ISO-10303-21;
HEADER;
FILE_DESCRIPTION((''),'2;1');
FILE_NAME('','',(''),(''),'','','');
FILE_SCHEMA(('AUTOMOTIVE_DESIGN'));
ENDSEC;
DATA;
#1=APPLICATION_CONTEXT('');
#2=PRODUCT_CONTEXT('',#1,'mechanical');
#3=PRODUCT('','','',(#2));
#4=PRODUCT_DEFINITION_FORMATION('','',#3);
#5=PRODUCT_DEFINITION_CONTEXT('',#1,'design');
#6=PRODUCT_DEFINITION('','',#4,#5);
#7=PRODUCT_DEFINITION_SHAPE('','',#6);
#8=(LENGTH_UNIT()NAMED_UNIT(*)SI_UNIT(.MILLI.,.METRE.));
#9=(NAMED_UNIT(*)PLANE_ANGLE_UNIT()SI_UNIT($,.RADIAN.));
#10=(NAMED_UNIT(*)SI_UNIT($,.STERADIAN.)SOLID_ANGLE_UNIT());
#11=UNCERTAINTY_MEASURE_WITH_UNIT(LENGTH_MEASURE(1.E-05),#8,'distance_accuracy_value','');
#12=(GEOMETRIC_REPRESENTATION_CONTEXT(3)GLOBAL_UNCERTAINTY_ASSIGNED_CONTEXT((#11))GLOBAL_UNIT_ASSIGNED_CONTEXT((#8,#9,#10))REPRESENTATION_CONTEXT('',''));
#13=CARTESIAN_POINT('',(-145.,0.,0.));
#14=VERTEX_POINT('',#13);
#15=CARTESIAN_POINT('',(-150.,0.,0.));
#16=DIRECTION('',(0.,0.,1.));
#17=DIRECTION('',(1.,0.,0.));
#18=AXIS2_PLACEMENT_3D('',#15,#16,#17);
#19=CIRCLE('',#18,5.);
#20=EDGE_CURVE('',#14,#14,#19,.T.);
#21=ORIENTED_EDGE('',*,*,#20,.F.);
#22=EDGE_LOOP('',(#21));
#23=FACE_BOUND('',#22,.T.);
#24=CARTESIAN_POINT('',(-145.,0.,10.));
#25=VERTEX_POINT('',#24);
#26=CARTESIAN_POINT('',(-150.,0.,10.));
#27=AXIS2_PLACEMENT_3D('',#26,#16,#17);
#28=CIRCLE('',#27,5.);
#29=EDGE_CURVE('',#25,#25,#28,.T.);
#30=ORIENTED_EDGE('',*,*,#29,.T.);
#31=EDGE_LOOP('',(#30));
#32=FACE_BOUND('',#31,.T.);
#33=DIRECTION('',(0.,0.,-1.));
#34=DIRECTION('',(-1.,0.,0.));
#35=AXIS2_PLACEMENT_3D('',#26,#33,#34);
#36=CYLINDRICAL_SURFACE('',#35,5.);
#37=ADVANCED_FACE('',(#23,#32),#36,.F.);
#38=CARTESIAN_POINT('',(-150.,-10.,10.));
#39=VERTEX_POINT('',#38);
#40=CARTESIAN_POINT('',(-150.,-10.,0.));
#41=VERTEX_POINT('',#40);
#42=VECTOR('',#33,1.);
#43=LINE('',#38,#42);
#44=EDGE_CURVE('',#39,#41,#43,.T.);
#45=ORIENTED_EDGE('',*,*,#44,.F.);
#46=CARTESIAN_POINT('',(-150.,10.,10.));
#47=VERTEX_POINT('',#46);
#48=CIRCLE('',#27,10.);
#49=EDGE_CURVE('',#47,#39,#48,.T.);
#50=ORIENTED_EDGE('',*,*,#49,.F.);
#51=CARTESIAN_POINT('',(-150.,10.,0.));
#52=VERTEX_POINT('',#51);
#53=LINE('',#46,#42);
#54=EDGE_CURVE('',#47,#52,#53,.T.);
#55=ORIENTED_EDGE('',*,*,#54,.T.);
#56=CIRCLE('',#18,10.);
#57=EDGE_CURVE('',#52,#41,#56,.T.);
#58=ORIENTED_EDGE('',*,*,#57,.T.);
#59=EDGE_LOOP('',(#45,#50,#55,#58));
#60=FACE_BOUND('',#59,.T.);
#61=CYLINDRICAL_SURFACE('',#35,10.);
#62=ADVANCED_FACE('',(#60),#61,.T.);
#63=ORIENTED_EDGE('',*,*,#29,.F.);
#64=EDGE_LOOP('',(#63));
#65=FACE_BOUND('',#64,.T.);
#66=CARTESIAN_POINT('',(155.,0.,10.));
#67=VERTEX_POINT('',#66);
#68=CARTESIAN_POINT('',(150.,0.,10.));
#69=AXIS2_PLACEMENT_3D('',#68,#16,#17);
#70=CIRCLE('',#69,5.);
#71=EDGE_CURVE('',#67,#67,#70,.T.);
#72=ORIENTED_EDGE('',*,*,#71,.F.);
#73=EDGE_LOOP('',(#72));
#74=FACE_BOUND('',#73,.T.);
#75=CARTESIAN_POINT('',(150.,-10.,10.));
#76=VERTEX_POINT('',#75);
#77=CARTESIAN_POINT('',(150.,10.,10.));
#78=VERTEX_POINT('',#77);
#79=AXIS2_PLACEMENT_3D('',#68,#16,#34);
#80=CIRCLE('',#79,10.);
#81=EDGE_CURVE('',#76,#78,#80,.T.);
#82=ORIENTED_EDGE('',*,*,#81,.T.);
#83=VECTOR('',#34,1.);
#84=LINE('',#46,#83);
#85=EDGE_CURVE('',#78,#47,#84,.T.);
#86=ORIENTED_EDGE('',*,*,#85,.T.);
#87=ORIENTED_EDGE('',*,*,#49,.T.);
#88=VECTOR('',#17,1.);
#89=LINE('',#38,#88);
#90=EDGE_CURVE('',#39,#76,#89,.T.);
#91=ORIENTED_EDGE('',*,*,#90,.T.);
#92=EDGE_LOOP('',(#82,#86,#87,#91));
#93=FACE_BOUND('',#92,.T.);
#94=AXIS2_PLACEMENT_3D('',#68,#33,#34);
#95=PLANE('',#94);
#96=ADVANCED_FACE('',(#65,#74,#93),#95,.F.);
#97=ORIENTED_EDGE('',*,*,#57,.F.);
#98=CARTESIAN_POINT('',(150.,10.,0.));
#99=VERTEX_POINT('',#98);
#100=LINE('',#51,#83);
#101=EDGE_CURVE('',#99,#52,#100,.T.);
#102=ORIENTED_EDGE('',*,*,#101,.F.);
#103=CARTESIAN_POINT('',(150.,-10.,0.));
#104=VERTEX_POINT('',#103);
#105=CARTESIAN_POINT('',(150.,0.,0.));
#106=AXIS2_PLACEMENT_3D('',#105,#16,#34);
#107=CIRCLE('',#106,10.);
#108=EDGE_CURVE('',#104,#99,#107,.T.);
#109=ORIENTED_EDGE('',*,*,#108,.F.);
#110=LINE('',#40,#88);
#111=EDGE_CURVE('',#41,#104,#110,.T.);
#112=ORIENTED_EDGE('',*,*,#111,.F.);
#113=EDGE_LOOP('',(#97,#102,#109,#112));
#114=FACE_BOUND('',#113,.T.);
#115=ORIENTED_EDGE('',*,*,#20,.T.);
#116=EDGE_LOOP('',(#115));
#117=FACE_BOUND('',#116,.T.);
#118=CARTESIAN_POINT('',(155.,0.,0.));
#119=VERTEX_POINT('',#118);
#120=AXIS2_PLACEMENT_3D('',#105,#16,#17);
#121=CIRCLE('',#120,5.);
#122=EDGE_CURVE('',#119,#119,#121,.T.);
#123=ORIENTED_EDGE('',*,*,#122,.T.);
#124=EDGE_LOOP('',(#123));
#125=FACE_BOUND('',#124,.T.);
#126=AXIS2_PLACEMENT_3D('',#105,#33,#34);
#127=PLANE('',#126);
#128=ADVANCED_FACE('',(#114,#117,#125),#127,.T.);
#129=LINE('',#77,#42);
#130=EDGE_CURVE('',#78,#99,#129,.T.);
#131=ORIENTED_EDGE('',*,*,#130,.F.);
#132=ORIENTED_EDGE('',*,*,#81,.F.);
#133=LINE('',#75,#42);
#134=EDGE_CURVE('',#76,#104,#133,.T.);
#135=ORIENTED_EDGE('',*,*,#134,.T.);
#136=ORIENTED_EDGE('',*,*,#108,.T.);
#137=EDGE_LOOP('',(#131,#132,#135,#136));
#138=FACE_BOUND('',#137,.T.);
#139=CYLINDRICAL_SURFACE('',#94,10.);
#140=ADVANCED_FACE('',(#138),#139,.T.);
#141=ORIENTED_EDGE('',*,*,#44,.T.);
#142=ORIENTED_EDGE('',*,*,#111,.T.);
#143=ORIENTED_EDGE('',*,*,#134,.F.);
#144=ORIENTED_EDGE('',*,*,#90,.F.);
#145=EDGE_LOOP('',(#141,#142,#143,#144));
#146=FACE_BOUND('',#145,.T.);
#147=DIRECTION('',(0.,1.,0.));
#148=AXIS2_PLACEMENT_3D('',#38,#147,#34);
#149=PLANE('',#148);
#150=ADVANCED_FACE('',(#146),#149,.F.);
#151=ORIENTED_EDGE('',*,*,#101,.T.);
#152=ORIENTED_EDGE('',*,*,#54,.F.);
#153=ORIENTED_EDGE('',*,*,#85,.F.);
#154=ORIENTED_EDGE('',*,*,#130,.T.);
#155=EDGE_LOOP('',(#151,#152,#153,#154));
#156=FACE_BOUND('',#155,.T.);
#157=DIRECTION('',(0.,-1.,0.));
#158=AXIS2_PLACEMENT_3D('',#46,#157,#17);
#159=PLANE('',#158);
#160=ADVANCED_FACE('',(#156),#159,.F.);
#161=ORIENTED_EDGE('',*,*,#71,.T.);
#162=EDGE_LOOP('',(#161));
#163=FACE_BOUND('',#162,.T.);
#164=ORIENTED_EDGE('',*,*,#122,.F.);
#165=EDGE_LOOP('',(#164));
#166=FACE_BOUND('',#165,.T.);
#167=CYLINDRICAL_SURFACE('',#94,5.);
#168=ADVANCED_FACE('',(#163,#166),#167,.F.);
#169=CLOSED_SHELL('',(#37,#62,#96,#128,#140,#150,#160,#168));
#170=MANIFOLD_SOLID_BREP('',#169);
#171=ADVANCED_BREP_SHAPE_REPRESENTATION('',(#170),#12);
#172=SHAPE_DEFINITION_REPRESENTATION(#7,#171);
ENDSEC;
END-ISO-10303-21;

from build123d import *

# Parameters (mm, degrees)
ESBO_O1_R                = 5
RESSALTO_EXTRUS_O1_DEPTH = 10


with BuildPart() as part:
    # Esboço1 → Ressalto-extrusão1 (new body)
    with BuildSketch(Plane.XY):
        with BuildLine():
            Line((-150, 10), (150, 10))
            ThreePointArc((150, 10), (160, 0), (150, -10))
            Line((150, -10), (-150, -10))
            ThreePointArc((-150, -10), (-160, 0), (-150, 10))
        make_face()
        with Locations((-150, 0)):
            Circle(ESBO_O1_R, mode=Mode.SUBTRACT)
        with Locations((150, 0)):
            Circle(ESBO_O1_R, mode=Mode.SUBTRACT)
    extrude(amount=RESSALTO_EXTRUS_O1_DEPTH)


solid = part.part
